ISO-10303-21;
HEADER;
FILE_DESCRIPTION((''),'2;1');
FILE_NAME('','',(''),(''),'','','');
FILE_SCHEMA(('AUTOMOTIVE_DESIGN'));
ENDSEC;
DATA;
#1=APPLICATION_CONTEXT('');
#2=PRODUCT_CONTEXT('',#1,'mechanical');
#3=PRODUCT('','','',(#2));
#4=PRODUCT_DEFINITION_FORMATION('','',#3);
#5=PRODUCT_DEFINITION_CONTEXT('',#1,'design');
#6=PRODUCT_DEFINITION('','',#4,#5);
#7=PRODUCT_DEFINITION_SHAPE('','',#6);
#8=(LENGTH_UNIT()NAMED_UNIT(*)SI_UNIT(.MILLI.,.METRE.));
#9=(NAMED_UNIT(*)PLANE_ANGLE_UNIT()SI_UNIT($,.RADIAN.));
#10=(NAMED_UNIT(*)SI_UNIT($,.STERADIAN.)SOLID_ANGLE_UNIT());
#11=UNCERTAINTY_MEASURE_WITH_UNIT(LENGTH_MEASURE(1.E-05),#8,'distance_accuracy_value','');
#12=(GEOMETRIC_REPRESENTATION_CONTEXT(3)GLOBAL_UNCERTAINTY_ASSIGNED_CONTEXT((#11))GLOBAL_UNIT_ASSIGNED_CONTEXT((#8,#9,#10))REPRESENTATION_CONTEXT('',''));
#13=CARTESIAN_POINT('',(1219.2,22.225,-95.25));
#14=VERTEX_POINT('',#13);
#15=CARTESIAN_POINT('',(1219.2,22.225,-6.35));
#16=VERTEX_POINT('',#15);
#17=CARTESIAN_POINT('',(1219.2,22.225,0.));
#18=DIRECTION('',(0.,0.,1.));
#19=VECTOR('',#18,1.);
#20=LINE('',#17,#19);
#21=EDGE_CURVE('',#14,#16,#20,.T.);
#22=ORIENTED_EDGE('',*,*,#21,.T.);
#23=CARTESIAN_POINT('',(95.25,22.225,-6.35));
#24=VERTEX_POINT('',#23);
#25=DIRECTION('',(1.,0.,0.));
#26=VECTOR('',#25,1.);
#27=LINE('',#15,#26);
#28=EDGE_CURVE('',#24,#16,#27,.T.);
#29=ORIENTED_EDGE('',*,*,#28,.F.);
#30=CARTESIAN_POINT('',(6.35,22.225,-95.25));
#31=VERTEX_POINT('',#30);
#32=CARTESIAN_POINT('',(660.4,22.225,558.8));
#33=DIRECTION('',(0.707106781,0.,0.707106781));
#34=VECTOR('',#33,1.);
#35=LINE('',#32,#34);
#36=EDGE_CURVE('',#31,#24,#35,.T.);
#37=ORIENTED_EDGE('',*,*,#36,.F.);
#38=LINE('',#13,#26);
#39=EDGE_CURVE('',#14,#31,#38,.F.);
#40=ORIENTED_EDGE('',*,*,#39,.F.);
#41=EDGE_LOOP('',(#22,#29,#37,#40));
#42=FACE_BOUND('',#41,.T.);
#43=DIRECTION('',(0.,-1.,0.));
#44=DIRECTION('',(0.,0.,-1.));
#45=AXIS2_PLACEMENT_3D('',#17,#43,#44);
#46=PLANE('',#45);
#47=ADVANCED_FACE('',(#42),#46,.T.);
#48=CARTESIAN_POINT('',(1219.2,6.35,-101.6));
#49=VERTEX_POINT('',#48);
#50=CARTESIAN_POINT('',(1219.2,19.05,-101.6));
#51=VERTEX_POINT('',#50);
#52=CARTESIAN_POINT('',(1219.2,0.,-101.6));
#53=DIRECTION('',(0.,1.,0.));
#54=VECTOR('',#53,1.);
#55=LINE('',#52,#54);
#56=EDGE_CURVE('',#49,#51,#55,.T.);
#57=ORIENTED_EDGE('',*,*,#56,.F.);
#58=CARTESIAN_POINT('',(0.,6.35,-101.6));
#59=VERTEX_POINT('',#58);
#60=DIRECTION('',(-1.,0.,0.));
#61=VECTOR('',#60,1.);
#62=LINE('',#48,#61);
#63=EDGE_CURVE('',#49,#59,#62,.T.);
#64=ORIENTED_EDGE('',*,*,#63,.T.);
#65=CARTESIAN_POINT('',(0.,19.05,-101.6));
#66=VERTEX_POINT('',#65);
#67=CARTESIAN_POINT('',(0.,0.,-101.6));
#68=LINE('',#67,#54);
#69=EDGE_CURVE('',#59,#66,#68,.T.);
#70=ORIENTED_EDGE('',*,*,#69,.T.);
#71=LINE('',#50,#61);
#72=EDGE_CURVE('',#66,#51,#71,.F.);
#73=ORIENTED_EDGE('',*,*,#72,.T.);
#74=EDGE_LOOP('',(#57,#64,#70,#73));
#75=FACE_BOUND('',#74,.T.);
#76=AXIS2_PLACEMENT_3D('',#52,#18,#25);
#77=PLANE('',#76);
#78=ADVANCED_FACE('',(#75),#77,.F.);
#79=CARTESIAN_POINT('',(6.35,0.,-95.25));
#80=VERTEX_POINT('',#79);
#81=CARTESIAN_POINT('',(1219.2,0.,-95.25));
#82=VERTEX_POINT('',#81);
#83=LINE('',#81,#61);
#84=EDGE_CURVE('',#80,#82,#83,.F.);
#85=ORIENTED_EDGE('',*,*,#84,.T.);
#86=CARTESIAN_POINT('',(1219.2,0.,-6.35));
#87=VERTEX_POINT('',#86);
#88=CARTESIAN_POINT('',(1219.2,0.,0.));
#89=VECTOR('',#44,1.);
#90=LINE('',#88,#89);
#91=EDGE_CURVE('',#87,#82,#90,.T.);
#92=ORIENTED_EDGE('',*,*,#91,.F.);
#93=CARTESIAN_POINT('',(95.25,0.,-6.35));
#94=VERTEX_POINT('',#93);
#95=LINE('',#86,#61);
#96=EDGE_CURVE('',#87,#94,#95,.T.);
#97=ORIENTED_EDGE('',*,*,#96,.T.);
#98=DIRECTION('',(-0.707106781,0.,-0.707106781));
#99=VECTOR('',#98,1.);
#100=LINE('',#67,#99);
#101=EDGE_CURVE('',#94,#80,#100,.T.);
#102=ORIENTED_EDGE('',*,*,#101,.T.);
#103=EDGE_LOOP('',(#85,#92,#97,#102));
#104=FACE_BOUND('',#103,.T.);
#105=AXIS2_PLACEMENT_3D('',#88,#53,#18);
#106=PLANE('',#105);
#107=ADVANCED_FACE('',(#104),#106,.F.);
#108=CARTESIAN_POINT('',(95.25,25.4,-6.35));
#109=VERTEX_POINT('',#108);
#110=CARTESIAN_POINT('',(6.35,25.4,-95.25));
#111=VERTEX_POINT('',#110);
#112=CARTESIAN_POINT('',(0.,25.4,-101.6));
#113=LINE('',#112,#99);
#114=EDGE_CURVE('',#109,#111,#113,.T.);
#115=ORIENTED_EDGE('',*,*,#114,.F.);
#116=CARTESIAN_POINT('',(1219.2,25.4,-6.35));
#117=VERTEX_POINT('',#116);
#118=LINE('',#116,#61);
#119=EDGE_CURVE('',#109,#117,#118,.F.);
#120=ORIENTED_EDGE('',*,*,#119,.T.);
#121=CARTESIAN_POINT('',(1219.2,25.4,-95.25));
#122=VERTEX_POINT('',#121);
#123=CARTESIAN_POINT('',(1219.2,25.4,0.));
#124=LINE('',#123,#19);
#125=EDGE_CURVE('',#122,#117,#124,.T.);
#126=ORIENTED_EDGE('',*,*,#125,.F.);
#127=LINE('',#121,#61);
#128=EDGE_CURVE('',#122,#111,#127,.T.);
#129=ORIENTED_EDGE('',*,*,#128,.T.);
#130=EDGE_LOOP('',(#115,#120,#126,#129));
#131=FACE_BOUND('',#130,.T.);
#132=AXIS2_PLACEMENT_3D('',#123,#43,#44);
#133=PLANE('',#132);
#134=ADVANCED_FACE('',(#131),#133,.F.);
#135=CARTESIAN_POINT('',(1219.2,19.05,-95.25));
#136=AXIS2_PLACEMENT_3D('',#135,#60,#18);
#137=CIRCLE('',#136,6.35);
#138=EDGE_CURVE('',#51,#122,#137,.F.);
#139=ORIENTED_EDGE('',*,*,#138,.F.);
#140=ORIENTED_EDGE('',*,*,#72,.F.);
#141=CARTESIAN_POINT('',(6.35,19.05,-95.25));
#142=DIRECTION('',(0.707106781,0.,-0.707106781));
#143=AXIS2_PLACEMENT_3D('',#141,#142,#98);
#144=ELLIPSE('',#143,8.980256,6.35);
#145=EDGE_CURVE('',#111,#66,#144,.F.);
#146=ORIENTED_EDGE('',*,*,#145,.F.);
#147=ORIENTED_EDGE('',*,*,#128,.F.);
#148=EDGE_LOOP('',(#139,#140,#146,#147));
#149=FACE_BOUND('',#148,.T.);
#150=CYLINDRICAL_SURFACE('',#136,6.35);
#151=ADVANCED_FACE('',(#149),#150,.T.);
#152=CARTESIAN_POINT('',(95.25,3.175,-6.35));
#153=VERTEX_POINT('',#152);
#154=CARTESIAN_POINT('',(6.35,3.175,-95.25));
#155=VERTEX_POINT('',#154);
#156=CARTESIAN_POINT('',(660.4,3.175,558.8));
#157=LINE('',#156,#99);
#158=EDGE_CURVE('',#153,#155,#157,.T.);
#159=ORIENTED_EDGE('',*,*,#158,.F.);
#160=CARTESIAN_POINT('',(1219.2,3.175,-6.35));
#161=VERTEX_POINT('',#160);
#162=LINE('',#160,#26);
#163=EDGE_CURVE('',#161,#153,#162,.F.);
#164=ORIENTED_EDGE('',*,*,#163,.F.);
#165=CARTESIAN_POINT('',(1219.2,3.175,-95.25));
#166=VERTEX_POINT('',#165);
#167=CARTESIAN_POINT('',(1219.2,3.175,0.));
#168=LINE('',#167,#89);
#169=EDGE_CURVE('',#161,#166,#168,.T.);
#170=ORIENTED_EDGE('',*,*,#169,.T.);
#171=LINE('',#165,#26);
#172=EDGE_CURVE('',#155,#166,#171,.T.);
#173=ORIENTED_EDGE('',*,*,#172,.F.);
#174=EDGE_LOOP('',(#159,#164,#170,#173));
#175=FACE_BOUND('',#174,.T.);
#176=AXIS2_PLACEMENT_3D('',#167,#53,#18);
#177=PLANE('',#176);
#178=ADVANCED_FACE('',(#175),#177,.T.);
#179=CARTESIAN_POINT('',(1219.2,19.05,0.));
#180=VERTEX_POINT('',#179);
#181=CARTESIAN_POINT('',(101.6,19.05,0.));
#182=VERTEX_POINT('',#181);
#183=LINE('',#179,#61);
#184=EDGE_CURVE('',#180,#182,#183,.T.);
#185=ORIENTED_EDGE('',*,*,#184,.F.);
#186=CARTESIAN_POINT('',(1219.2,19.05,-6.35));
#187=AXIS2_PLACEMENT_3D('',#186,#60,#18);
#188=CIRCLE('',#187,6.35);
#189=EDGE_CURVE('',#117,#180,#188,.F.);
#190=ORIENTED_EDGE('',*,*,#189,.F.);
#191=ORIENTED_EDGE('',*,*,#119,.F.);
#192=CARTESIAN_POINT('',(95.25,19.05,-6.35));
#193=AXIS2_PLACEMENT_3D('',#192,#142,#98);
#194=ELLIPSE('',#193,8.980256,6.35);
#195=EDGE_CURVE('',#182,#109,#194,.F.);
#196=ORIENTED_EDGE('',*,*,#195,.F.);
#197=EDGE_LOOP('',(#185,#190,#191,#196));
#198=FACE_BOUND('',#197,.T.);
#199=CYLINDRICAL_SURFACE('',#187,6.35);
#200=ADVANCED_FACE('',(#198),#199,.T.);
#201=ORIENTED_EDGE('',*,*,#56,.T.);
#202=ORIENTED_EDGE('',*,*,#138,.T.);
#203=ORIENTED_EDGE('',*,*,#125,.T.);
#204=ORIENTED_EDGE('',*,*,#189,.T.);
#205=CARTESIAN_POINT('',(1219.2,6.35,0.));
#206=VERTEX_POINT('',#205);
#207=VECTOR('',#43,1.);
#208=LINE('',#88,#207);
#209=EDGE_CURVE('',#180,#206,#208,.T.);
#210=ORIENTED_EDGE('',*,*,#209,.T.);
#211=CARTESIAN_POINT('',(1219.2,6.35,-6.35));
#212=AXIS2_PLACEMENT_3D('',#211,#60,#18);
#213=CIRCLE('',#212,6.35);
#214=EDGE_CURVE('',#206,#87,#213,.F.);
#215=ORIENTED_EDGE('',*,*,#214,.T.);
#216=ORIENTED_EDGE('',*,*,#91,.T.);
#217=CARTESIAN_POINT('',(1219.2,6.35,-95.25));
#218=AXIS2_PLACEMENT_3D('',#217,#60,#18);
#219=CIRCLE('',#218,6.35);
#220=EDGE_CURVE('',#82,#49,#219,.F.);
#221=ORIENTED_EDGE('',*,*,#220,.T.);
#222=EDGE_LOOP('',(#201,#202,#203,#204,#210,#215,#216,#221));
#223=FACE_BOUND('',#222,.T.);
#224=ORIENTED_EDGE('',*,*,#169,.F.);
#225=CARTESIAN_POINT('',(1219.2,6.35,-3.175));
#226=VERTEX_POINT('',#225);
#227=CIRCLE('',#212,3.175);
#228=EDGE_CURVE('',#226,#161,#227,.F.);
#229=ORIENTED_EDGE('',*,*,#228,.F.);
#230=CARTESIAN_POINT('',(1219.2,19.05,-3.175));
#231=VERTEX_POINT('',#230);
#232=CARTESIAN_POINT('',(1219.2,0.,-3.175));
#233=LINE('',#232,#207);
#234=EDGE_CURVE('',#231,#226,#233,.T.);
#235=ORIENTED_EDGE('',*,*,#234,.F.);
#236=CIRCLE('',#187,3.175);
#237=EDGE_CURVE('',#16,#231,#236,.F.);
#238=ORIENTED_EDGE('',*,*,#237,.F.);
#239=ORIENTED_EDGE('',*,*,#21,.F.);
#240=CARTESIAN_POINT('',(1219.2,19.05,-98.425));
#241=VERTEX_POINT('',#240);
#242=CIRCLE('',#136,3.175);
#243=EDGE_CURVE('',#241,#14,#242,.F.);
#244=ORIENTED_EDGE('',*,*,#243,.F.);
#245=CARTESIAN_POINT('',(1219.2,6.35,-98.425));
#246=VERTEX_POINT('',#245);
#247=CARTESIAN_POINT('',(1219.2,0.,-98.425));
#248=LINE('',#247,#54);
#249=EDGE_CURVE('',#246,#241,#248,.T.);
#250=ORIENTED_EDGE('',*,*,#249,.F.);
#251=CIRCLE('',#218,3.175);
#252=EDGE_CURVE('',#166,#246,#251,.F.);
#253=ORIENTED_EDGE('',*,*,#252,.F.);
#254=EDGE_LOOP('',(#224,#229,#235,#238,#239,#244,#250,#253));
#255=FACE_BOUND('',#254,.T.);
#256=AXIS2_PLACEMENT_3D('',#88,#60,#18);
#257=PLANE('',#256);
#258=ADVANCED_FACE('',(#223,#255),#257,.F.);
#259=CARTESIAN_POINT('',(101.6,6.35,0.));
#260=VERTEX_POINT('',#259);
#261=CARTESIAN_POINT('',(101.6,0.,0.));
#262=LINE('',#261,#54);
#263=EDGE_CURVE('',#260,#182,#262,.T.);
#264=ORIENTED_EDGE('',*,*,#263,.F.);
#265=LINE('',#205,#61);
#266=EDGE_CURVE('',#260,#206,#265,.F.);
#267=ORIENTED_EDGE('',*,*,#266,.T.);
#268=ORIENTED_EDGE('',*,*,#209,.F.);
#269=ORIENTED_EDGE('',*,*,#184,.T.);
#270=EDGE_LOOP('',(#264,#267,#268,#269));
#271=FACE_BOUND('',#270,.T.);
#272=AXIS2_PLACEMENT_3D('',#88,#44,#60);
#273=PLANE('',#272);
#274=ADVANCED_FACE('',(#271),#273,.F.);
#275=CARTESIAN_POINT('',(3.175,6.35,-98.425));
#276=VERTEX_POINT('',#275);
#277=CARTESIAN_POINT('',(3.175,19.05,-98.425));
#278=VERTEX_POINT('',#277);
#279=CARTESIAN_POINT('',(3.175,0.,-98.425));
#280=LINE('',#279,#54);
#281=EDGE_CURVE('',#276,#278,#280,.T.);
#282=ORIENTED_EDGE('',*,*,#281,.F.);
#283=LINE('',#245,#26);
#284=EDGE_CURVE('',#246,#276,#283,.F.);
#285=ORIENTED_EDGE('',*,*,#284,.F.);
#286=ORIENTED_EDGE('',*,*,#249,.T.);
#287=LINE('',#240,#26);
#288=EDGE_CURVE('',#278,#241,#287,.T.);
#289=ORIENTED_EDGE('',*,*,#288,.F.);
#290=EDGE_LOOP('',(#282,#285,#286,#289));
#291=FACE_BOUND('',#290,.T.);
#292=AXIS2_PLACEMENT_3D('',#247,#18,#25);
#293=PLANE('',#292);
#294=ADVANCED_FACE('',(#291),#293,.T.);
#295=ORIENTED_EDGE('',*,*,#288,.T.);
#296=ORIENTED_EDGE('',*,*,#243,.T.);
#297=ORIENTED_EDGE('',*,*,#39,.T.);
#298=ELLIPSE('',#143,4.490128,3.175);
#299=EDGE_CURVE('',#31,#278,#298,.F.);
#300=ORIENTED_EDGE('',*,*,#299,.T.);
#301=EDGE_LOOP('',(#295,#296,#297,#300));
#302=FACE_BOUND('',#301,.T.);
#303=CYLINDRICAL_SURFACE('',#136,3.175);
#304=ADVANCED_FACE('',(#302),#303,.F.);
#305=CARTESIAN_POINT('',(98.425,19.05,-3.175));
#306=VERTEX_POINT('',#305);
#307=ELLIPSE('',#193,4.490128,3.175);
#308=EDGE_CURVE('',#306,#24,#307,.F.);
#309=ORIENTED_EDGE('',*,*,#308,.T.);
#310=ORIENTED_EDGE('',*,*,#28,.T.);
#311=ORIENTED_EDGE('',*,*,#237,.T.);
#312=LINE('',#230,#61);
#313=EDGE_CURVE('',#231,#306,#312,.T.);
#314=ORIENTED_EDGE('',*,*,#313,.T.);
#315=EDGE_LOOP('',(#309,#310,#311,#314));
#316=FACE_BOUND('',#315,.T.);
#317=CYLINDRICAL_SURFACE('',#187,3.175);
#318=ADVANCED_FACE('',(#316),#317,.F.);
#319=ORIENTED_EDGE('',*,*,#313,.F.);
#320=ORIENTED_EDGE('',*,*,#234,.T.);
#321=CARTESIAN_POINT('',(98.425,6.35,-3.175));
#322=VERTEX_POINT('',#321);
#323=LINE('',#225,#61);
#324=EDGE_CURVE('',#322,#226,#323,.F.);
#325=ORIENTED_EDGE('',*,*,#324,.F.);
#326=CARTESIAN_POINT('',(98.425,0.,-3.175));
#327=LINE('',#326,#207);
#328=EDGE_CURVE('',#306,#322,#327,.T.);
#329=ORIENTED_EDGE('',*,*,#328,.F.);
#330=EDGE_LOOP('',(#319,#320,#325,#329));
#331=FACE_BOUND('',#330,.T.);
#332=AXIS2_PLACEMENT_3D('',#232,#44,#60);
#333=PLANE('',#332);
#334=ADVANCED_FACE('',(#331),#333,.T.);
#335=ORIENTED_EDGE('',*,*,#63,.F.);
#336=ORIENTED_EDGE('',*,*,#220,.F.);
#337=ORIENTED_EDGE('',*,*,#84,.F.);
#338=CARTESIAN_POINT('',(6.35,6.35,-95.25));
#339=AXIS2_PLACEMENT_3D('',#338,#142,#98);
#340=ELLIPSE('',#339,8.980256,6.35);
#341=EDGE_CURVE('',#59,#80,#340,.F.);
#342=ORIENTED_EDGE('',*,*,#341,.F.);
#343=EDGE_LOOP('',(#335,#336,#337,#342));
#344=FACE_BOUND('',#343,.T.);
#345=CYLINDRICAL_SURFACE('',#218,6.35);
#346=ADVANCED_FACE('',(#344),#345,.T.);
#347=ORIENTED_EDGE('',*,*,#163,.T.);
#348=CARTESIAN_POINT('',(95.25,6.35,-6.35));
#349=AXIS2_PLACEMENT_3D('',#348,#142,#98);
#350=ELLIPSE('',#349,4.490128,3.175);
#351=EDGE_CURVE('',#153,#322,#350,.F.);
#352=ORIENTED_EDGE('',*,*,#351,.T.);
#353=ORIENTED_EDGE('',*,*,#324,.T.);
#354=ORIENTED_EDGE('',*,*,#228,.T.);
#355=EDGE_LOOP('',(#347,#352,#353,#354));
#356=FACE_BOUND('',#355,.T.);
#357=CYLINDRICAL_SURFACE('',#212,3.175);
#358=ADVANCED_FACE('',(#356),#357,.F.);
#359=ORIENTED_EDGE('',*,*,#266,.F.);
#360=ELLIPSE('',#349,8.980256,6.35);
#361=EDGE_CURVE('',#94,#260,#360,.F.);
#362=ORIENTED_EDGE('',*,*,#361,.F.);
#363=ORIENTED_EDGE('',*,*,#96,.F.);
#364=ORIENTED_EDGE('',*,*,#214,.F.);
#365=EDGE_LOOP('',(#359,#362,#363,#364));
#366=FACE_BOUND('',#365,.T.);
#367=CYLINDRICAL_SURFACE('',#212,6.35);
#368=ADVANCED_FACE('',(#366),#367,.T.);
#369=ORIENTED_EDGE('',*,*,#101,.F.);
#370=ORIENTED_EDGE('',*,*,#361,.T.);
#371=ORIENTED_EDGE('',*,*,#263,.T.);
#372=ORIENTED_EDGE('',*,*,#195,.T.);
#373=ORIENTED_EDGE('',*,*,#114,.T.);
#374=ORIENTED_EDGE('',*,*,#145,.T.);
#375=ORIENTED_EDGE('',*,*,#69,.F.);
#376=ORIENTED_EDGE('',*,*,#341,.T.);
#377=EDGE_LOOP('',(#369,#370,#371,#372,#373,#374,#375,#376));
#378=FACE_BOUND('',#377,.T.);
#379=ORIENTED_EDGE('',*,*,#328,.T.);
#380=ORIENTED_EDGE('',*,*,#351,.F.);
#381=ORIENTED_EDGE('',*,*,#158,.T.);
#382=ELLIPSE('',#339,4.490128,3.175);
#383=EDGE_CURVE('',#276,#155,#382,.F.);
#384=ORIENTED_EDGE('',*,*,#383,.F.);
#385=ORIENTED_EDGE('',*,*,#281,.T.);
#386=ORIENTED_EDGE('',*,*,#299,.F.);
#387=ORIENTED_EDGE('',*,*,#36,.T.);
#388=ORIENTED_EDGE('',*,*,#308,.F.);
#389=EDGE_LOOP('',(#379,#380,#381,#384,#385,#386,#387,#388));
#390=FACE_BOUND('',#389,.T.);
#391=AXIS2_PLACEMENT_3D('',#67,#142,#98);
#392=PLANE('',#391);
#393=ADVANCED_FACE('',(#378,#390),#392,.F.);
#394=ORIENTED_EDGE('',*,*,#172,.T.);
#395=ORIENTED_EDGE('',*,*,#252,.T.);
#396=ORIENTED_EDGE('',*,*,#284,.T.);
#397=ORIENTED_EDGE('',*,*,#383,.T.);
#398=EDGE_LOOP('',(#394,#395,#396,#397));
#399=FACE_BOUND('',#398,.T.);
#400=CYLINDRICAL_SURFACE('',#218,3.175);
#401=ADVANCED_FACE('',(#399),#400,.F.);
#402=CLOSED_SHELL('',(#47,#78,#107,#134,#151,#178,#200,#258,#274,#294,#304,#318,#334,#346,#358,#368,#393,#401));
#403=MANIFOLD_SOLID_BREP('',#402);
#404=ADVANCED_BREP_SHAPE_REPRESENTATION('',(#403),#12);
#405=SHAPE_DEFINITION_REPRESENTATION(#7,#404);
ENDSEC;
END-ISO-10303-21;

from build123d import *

# Parameters (mm, degrees)
SKETCH1_W           = 101.6
SKETCH1_H           = 25.4
BOSS_EXTRUDE1_DEPTH = 1219.2
FILLET1_R           = 6.35
SHELL1_T            = -3.175
CUT_EXTRUDE1_DEPTH  = 25.4


with BuildPart() as part:
    # Sketch1 → Boss-Extrude1 (new body)
    with BuildSketch(Plane(origin=(0, 0, 0), x_dir=(0, 0, -1), z_dir=(1, 0, 0))):
        with Locations((50.8, 12.7)):
            Rectangle(SKETCH1_W, SKETCH1_H)
    extrude(amount=BOSS_EXTRUDE1_DEPTH)

    # Fillet1
    fillet1_edges = [part.edges().sort_by_distance(p)[0] for p in [
        (609.6, 25.4, 0),
        (609.6, 25.4, -101.6),
        (609.6, 0, -101.6),
        (609.6, 0, 0),
    ]]
    fillet(fillet1_edges, radius=FILLET1_R)

    # Shell1
    shell1_openings = [part.faces().sort_by_distance(p)[0] for p in [
        (1219.2, 12.7, -50.8),
        (0, 12.7, -50.8),
    ]]
    offset(amount=SHELL1_T, openings=shell1_openings, kind=Kind.INTERSECTION)

    # Sketch2 → Cut-Extrude1 (cut)
    with BuildSketch(Plane(origin=(0, 25.4, 0), x_dir=(1, 0, 0), z_dir=(0, 1, 0))):
        Polygon((0, 101.6), (101.6, 0), (0, 0), align=None)
    extrude(amount=-CUT_EXTRUDE1_DEPTH, mode=Mode.SUBTRACT)


solid = part.part
